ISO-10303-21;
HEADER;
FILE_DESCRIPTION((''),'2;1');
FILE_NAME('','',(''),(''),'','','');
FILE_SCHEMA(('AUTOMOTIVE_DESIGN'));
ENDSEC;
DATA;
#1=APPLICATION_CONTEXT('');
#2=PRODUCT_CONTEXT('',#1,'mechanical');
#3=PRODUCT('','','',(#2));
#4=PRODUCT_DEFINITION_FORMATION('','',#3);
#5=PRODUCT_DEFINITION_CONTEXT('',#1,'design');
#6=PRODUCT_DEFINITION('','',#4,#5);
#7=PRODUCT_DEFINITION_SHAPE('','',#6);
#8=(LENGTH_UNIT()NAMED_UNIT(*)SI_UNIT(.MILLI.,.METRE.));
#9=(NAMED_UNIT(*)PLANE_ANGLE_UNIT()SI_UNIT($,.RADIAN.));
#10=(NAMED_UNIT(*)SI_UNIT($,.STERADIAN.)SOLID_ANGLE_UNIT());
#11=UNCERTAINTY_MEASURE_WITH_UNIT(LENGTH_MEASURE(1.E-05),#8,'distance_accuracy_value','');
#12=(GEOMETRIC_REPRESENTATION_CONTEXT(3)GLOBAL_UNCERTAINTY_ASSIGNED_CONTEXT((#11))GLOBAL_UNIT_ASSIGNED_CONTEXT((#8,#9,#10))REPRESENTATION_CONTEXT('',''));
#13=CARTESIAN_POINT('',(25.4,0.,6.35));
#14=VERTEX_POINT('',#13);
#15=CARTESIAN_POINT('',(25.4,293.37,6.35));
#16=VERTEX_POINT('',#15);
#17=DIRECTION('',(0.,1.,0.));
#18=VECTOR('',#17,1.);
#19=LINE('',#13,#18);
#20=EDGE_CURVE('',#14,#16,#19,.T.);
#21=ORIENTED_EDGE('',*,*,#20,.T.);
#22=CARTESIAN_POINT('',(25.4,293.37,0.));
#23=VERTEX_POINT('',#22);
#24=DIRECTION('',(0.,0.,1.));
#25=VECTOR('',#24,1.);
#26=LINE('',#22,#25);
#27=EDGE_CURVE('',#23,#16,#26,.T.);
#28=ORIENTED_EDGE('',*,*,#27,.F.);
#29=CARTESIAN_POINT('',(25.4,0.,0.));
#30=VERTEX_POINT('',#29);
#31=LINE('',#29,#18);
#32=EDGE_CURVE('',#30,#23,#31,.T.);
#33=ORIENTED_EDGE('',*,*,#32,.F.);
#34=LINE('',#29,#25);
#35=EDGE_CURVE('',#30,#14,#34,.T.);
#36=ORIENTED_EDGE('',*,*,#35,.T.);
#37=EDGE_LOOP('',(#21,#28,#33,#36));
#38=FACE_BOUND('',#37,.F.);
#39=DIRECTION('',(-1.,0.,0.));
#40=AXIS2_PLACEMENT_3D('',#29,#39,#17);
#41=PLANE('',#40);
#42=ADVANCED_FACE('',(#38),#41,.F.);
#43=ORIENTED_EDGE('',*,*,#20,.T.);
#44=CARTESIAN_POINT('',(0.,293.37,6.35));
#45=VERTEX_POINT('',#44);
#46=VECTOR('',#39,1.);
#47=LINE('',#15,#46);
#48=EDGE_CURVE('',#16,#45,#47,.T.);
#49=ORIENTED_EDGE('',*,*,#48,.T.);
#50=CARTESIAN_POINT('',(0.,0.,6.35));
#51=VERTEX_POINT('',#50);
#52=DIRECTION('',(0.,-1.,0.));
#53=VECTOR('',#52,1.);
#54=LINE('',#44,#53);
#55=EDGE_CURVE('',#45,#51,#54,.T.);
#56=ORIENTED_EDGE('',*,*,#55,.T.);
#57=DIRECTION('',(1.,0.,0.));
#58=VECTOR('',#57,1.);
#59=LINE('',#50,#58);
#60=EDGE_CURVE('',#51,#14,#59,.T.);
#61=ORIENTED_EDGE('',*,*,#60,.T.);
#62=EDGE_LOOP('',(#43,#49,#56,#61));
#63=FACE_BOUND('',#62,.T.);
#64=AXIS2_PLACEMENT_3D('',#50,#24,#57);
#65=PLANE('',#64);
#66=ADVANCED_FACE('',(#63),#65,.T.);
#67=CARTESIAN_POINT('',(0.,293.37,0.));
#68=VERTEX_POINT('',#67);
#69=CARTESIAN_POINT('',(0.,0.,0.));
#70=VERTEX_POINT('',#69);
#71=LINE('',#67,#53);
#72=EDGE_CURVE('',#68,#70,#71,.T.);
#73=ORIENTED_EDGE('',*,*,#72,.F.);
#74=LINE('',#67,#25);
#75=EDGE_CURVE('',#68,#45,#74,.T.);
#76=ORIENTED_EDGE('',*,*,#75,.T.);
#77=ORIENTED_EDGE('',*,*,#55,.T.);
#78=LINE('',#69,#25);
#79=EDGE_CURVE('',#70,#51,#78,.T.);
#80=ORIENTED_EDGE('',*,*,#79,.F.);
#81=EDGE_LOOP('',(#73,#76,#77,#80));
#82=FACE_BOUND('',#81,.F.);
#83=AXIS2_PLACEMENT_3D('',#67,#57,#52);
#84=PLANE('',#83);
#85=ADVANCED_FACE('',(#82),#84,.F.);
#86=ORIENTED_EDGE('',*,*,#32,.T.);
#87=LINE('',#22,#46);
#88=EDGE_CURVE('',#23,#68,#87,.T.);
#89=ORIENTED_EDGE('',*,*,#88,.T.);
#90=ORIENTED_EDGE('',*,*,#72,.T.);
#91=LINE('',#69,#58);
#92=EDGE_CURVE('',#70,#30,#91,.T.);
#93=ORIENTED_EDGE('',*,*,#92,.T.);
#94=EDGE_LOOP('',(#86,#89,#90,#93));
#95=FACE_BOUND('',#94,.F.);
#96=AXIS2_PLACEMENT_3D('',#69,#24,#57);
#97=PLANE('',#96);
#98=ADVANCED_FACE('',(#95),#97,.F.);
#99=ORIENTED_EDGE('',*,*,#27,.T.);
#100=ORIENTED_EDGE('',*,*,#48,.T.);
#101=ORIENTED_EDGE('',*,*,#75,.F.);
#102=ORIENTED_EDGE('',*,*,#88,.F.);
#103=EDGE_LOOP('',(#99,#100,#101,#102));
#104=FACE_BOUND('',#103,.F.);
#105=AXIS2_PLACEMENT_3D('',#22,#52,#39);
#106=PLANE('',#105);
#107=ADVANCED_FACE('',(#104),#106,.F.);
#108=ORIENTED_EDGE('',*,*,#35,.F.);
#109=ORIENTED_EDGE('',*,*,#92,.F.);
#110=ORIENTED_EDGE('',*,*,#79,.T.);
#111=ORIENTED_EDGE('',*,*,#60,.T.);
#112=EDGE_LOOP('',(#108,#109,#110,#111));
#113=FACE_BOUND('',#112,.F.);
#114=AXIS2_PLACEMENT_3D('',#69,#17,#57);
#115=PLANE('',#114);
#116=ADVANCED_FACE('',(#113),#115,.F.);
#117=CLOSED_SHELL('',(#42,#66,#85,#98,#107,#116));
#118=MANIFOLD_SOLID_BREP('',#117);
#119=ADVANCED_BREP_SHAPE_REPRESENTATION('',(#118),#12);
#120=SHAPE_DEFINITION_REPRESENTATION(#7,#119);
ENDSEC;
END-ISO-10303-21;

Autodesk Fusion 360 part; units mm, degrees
sketch "Sketch1" plane through (0, 0, 0) normal (0, 0, 1) x (1, 0, 0)
  line L0 (0, 0) -> (25.4, 0)
  line L1 (25.4, 0) -> (25.4, 293.37)
  line L2 (25.4, 293.37) -> (0, 293.37)
  line L3 (0, 293.37) -> (0, 0)
  dimension "d1" = 25.4
  dimension "d2" = 293.37
extrude "Extrude1" add sketch "Sketch1" along normal blind 6.35
